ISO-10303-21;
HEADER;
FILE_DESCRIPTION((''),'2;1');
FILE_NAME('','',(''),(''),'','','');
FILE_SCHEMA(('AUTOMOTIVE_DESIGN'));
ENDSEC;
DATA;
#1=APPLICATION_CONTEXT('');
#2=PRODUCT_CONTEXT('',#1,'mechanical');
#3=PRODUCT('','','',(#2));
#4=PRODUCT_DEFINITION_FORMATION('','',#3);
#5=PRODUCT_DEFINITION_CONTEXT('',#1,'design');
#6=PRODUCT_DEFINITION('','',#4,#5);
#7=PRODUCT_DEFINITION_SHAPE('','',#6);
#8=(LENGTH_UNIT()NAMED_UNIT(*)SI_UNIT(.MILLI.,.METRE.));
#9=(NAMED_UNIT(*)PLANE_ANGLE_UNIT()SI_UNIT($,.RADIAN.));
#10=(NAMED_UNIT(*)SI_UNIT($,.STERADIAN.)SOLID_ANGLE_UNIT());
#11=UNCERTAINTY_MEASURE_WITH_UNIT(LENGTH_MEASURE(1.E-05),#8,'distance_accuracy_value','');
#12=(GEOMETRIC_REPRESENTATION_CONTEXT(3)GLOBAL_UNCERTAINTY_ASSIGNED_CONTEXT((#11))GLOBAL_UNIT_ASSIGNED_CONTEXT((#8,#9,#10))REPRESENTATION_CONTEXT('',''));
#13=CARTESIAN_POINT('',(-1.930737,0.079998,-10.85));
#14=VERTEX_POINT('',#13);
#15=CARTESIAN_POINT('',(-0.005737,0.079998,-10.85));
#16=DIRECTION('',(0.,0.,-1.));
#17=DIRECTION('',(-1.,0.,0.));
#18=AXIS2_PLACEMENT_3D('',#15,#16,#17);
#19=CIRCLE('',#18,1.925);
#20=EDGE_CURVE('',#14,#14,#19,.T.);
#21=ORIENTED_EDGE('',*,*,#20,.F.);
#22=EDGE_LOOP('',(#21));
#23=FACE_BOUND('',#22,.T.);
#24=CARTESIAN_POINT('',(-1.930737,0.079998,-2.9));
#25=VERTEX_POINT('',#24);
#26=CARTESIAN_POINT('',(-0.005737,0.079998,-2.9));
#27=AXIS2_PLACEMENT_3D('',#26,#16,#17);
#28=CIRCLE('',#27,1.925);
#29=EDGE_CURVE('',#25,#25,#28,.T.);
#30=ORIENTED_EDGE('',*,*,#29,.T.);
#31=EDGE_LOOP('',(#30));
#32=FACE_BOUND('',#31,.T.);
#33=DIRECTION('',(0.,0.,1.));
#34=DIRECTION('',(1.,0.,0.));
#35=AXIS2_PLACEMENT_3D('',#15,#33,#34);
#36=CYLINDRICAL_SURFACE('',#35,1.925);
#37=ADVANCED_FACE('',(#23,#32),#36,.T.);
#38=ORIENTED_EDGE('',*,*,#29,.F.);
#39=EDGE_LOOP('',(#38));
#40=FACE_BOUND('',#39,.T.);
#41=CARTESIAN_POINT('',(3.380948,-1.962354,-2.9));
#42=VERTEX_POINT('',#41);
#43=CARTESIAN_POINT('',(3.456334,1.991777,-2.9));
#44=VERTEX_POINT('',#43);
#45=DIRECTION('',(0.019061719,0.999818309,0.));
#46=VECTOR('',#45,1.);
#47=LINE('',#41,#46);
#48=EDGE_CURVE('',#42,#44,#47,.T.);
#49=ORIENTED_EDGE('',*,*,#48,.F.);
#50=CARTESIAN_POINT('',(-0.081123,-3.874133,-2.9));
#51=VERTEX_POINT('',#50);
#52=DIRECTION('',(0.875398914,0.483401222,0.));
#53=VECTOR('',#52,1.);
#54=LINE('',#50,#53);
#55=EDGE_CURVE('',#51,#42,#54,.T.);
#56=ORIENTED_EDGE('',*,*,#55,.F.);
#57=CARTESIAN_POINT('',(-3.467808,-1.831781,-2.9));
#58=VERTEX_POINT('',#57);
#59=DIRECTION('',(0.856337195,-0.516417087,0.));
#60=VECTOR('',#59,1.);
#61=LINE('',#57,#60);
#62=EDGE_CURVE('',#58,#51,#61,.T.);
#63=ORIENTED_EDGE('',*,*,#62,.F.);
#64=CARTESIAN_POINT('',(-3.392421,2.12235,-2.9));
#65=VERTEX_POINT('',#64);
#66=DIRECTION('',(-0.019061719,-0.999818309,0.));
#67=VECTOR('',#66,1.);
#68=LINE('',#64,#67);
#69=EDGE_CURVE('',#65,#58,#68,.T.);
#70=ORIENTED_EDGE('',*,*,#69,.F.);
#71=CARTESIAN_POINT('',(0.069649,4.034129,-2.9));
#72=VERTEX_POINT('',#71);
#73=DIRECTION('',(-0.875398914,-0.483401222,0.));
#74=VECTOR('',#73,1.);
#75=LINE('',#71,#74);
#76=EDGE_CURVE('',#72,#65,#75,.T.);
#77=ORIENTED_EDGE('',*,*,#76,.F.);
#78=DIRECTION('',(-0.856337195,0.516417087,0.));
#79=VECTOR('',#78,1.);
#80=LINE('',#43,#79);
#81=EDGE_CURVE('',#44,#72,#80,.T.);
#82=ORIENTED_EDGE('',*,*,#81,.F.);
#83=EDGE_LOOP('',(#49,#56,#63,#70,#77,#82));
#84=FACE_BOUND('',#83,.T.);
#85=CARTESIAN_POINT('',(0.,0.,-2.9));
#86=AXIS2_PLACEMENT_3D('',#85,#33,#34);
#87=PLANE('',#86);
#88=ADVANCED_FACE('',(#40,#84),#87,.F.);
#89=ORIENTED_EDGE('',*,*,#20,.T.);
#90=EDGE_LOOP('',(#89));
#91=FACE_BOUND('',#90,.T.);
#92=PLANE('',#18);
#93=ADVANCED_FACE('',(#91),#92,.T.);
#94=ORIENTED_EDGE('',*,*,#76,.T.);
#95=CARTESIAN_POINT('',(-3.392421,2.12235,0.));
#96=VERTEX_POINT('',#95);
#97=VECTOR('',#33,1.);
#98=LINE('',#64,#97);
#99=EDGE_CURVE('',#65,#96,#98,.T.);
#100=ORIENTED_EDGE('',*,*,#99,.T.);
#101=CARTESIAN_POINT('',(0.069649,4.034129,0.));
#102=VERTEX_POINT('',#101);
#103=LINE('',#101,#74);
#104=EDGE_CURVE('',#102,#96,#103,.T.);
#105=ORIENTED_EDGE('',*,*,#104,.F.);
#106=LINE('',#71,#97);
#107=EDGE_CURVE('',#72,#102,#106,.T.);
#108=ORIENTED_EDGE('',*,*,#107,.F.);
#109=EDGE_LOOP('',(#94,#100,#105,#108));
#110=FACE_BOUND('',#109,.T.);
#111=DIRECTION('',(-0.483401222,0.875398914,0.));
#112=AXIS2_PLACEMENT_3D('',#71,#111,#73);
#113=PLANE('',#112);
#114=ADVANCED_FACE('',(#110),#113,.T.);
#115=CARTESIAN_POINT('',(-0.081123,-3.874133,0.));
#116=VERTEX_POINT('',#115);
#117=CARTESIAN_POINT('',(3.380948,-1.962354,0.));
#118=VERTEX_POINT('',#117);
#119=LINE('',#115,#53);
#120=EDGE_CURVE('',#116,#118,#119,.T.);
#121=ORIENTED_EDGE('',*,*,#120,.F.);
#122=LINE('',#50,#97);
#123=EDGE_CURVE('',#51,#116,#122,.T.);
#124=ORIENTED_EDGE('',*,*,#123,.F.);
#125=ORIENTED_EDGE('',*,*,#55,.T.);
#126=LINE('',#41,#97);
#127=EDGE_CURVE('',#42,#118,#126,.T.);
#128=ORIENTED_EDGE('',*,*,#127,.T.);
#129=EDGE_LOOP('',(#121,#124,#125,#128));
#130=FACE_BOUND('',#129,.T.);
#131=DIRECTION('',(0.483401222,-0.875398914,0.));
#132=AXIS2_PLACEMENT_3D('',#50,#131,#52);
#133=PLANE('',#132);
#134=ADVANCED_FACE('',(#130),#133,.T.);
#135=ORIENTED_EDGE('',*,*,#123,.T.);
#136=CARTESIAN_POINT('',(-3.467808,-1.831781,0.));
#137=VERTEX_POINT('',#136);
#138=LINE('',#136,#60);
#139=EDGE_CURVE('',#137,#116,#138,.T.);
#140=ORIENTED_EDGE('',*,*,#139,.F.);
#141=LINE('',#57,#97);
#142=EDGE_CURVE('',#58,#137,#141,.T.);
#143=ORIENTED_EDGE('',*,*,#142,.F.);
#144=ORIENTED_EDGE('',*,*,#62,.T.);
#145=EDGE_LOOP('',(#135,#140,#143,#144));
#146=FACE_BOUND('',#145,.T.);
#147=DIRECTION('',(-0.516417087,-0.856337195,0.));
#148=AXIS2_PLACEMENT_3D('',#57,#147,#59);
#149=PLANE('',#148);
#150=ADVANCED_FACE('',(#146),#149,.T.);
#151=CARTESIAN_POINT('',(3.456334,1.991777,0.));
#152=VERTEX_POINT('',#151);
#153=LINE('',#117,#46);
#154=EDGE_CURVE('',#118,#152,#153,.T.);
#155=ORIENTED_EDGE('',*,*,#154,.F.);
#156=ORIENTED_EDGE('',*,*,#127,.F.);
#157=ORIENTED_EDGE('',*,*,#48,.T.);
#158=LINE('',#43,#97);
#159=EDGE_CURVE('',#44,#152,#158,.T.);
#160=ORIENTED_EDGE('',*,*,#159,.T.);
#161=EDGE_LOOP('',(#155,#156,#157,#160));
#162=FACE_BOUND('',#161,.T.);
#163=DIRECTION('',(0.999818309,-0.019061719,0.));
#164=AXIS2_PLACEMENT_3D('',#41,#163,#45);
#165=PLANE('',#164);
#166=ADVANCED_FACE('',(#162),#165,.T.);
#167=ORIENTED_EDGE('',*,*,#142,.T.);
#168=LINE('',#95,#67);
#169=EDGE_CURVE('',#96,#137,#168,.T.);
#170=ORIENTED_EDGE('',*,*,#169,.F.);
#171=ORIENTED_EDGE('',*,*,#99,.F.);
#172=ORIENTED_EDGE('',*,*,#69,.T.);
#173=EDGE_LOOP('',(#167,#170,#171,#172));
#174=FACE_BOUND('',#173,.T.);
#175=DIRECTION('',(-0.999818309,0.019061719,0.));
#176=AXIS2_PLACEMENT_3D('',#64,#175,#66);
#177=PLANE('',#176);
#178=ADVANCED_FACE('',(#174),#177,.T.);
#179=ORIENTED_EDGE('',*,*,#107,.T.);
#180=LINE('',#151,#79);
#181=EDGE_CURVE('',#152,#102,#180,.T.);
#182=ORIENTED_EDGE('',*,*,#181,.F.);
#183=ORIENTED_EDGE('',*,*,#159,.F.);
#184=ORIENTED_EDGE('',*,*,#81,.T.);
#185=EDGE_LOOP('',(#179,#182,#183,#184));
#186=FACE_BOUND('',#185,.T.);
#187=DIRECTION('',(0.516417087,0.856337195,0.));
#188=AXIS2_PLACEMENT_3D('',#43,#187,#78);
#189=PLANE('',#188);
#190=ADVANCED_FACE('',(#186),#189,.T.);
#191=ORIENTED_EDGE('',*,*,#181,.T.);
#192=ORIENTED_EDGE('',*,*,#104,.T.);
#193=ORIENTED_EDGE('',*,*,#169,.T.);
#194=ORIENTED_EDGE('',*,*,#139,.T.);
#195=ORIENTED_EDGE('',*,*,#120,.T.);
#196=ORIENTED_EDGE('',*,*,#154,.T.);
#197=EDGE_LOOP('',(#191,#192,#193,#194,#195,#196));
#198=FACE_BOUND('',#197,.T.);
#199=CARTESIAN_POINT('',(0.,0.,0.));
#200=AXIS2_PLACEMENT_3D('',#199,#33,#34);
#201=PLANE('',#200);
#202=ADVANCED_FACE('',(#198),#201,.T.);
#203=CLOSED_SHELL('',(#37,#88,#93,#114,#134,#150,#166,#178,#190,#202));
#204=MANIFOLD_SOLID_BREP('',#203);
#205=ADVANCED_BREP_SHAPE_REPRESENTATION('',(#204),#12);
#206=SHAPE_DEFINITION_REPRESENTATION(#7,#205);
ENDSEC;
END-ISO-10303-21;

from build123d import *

# Parameters (mm, degrees)
EXTRUDE_1_DEPTH = 2.9
SKETCH_4_R      = 1.925
EXTRUDE_2_DEPTH = 7.95


with BuildPart() as part:
    # Эскиз1 → Бобышка-Вытянуть1 (new body)
    with BuildSketch(Plane.XY):
        Polygon((3.380947783, -1.962353809), (3.456334009, 1.991776974), (0.069649414, 4.034128753), (-3.392421407, 2.122349748), (-3.467807633, -1.831781035), (-0.081123038, -3.874132814), align=None)
    extrude(amount=-EXTRUDE_1_DEPTH)

    # Эскиз4 → Бобышка-Вытянуть2 (add)
    with BuildSketch(Plane(origin=(0, 0, -2.9), x_dir=(-1, 0, 0), z_dir=(0, 0, -1))):
        with Locations((0.005736812, 0.07999797)):
            Circle(SKETCH_4_R)
    extrude(amount=EXTRUDE_2_DEPTH)


solid = part.part
